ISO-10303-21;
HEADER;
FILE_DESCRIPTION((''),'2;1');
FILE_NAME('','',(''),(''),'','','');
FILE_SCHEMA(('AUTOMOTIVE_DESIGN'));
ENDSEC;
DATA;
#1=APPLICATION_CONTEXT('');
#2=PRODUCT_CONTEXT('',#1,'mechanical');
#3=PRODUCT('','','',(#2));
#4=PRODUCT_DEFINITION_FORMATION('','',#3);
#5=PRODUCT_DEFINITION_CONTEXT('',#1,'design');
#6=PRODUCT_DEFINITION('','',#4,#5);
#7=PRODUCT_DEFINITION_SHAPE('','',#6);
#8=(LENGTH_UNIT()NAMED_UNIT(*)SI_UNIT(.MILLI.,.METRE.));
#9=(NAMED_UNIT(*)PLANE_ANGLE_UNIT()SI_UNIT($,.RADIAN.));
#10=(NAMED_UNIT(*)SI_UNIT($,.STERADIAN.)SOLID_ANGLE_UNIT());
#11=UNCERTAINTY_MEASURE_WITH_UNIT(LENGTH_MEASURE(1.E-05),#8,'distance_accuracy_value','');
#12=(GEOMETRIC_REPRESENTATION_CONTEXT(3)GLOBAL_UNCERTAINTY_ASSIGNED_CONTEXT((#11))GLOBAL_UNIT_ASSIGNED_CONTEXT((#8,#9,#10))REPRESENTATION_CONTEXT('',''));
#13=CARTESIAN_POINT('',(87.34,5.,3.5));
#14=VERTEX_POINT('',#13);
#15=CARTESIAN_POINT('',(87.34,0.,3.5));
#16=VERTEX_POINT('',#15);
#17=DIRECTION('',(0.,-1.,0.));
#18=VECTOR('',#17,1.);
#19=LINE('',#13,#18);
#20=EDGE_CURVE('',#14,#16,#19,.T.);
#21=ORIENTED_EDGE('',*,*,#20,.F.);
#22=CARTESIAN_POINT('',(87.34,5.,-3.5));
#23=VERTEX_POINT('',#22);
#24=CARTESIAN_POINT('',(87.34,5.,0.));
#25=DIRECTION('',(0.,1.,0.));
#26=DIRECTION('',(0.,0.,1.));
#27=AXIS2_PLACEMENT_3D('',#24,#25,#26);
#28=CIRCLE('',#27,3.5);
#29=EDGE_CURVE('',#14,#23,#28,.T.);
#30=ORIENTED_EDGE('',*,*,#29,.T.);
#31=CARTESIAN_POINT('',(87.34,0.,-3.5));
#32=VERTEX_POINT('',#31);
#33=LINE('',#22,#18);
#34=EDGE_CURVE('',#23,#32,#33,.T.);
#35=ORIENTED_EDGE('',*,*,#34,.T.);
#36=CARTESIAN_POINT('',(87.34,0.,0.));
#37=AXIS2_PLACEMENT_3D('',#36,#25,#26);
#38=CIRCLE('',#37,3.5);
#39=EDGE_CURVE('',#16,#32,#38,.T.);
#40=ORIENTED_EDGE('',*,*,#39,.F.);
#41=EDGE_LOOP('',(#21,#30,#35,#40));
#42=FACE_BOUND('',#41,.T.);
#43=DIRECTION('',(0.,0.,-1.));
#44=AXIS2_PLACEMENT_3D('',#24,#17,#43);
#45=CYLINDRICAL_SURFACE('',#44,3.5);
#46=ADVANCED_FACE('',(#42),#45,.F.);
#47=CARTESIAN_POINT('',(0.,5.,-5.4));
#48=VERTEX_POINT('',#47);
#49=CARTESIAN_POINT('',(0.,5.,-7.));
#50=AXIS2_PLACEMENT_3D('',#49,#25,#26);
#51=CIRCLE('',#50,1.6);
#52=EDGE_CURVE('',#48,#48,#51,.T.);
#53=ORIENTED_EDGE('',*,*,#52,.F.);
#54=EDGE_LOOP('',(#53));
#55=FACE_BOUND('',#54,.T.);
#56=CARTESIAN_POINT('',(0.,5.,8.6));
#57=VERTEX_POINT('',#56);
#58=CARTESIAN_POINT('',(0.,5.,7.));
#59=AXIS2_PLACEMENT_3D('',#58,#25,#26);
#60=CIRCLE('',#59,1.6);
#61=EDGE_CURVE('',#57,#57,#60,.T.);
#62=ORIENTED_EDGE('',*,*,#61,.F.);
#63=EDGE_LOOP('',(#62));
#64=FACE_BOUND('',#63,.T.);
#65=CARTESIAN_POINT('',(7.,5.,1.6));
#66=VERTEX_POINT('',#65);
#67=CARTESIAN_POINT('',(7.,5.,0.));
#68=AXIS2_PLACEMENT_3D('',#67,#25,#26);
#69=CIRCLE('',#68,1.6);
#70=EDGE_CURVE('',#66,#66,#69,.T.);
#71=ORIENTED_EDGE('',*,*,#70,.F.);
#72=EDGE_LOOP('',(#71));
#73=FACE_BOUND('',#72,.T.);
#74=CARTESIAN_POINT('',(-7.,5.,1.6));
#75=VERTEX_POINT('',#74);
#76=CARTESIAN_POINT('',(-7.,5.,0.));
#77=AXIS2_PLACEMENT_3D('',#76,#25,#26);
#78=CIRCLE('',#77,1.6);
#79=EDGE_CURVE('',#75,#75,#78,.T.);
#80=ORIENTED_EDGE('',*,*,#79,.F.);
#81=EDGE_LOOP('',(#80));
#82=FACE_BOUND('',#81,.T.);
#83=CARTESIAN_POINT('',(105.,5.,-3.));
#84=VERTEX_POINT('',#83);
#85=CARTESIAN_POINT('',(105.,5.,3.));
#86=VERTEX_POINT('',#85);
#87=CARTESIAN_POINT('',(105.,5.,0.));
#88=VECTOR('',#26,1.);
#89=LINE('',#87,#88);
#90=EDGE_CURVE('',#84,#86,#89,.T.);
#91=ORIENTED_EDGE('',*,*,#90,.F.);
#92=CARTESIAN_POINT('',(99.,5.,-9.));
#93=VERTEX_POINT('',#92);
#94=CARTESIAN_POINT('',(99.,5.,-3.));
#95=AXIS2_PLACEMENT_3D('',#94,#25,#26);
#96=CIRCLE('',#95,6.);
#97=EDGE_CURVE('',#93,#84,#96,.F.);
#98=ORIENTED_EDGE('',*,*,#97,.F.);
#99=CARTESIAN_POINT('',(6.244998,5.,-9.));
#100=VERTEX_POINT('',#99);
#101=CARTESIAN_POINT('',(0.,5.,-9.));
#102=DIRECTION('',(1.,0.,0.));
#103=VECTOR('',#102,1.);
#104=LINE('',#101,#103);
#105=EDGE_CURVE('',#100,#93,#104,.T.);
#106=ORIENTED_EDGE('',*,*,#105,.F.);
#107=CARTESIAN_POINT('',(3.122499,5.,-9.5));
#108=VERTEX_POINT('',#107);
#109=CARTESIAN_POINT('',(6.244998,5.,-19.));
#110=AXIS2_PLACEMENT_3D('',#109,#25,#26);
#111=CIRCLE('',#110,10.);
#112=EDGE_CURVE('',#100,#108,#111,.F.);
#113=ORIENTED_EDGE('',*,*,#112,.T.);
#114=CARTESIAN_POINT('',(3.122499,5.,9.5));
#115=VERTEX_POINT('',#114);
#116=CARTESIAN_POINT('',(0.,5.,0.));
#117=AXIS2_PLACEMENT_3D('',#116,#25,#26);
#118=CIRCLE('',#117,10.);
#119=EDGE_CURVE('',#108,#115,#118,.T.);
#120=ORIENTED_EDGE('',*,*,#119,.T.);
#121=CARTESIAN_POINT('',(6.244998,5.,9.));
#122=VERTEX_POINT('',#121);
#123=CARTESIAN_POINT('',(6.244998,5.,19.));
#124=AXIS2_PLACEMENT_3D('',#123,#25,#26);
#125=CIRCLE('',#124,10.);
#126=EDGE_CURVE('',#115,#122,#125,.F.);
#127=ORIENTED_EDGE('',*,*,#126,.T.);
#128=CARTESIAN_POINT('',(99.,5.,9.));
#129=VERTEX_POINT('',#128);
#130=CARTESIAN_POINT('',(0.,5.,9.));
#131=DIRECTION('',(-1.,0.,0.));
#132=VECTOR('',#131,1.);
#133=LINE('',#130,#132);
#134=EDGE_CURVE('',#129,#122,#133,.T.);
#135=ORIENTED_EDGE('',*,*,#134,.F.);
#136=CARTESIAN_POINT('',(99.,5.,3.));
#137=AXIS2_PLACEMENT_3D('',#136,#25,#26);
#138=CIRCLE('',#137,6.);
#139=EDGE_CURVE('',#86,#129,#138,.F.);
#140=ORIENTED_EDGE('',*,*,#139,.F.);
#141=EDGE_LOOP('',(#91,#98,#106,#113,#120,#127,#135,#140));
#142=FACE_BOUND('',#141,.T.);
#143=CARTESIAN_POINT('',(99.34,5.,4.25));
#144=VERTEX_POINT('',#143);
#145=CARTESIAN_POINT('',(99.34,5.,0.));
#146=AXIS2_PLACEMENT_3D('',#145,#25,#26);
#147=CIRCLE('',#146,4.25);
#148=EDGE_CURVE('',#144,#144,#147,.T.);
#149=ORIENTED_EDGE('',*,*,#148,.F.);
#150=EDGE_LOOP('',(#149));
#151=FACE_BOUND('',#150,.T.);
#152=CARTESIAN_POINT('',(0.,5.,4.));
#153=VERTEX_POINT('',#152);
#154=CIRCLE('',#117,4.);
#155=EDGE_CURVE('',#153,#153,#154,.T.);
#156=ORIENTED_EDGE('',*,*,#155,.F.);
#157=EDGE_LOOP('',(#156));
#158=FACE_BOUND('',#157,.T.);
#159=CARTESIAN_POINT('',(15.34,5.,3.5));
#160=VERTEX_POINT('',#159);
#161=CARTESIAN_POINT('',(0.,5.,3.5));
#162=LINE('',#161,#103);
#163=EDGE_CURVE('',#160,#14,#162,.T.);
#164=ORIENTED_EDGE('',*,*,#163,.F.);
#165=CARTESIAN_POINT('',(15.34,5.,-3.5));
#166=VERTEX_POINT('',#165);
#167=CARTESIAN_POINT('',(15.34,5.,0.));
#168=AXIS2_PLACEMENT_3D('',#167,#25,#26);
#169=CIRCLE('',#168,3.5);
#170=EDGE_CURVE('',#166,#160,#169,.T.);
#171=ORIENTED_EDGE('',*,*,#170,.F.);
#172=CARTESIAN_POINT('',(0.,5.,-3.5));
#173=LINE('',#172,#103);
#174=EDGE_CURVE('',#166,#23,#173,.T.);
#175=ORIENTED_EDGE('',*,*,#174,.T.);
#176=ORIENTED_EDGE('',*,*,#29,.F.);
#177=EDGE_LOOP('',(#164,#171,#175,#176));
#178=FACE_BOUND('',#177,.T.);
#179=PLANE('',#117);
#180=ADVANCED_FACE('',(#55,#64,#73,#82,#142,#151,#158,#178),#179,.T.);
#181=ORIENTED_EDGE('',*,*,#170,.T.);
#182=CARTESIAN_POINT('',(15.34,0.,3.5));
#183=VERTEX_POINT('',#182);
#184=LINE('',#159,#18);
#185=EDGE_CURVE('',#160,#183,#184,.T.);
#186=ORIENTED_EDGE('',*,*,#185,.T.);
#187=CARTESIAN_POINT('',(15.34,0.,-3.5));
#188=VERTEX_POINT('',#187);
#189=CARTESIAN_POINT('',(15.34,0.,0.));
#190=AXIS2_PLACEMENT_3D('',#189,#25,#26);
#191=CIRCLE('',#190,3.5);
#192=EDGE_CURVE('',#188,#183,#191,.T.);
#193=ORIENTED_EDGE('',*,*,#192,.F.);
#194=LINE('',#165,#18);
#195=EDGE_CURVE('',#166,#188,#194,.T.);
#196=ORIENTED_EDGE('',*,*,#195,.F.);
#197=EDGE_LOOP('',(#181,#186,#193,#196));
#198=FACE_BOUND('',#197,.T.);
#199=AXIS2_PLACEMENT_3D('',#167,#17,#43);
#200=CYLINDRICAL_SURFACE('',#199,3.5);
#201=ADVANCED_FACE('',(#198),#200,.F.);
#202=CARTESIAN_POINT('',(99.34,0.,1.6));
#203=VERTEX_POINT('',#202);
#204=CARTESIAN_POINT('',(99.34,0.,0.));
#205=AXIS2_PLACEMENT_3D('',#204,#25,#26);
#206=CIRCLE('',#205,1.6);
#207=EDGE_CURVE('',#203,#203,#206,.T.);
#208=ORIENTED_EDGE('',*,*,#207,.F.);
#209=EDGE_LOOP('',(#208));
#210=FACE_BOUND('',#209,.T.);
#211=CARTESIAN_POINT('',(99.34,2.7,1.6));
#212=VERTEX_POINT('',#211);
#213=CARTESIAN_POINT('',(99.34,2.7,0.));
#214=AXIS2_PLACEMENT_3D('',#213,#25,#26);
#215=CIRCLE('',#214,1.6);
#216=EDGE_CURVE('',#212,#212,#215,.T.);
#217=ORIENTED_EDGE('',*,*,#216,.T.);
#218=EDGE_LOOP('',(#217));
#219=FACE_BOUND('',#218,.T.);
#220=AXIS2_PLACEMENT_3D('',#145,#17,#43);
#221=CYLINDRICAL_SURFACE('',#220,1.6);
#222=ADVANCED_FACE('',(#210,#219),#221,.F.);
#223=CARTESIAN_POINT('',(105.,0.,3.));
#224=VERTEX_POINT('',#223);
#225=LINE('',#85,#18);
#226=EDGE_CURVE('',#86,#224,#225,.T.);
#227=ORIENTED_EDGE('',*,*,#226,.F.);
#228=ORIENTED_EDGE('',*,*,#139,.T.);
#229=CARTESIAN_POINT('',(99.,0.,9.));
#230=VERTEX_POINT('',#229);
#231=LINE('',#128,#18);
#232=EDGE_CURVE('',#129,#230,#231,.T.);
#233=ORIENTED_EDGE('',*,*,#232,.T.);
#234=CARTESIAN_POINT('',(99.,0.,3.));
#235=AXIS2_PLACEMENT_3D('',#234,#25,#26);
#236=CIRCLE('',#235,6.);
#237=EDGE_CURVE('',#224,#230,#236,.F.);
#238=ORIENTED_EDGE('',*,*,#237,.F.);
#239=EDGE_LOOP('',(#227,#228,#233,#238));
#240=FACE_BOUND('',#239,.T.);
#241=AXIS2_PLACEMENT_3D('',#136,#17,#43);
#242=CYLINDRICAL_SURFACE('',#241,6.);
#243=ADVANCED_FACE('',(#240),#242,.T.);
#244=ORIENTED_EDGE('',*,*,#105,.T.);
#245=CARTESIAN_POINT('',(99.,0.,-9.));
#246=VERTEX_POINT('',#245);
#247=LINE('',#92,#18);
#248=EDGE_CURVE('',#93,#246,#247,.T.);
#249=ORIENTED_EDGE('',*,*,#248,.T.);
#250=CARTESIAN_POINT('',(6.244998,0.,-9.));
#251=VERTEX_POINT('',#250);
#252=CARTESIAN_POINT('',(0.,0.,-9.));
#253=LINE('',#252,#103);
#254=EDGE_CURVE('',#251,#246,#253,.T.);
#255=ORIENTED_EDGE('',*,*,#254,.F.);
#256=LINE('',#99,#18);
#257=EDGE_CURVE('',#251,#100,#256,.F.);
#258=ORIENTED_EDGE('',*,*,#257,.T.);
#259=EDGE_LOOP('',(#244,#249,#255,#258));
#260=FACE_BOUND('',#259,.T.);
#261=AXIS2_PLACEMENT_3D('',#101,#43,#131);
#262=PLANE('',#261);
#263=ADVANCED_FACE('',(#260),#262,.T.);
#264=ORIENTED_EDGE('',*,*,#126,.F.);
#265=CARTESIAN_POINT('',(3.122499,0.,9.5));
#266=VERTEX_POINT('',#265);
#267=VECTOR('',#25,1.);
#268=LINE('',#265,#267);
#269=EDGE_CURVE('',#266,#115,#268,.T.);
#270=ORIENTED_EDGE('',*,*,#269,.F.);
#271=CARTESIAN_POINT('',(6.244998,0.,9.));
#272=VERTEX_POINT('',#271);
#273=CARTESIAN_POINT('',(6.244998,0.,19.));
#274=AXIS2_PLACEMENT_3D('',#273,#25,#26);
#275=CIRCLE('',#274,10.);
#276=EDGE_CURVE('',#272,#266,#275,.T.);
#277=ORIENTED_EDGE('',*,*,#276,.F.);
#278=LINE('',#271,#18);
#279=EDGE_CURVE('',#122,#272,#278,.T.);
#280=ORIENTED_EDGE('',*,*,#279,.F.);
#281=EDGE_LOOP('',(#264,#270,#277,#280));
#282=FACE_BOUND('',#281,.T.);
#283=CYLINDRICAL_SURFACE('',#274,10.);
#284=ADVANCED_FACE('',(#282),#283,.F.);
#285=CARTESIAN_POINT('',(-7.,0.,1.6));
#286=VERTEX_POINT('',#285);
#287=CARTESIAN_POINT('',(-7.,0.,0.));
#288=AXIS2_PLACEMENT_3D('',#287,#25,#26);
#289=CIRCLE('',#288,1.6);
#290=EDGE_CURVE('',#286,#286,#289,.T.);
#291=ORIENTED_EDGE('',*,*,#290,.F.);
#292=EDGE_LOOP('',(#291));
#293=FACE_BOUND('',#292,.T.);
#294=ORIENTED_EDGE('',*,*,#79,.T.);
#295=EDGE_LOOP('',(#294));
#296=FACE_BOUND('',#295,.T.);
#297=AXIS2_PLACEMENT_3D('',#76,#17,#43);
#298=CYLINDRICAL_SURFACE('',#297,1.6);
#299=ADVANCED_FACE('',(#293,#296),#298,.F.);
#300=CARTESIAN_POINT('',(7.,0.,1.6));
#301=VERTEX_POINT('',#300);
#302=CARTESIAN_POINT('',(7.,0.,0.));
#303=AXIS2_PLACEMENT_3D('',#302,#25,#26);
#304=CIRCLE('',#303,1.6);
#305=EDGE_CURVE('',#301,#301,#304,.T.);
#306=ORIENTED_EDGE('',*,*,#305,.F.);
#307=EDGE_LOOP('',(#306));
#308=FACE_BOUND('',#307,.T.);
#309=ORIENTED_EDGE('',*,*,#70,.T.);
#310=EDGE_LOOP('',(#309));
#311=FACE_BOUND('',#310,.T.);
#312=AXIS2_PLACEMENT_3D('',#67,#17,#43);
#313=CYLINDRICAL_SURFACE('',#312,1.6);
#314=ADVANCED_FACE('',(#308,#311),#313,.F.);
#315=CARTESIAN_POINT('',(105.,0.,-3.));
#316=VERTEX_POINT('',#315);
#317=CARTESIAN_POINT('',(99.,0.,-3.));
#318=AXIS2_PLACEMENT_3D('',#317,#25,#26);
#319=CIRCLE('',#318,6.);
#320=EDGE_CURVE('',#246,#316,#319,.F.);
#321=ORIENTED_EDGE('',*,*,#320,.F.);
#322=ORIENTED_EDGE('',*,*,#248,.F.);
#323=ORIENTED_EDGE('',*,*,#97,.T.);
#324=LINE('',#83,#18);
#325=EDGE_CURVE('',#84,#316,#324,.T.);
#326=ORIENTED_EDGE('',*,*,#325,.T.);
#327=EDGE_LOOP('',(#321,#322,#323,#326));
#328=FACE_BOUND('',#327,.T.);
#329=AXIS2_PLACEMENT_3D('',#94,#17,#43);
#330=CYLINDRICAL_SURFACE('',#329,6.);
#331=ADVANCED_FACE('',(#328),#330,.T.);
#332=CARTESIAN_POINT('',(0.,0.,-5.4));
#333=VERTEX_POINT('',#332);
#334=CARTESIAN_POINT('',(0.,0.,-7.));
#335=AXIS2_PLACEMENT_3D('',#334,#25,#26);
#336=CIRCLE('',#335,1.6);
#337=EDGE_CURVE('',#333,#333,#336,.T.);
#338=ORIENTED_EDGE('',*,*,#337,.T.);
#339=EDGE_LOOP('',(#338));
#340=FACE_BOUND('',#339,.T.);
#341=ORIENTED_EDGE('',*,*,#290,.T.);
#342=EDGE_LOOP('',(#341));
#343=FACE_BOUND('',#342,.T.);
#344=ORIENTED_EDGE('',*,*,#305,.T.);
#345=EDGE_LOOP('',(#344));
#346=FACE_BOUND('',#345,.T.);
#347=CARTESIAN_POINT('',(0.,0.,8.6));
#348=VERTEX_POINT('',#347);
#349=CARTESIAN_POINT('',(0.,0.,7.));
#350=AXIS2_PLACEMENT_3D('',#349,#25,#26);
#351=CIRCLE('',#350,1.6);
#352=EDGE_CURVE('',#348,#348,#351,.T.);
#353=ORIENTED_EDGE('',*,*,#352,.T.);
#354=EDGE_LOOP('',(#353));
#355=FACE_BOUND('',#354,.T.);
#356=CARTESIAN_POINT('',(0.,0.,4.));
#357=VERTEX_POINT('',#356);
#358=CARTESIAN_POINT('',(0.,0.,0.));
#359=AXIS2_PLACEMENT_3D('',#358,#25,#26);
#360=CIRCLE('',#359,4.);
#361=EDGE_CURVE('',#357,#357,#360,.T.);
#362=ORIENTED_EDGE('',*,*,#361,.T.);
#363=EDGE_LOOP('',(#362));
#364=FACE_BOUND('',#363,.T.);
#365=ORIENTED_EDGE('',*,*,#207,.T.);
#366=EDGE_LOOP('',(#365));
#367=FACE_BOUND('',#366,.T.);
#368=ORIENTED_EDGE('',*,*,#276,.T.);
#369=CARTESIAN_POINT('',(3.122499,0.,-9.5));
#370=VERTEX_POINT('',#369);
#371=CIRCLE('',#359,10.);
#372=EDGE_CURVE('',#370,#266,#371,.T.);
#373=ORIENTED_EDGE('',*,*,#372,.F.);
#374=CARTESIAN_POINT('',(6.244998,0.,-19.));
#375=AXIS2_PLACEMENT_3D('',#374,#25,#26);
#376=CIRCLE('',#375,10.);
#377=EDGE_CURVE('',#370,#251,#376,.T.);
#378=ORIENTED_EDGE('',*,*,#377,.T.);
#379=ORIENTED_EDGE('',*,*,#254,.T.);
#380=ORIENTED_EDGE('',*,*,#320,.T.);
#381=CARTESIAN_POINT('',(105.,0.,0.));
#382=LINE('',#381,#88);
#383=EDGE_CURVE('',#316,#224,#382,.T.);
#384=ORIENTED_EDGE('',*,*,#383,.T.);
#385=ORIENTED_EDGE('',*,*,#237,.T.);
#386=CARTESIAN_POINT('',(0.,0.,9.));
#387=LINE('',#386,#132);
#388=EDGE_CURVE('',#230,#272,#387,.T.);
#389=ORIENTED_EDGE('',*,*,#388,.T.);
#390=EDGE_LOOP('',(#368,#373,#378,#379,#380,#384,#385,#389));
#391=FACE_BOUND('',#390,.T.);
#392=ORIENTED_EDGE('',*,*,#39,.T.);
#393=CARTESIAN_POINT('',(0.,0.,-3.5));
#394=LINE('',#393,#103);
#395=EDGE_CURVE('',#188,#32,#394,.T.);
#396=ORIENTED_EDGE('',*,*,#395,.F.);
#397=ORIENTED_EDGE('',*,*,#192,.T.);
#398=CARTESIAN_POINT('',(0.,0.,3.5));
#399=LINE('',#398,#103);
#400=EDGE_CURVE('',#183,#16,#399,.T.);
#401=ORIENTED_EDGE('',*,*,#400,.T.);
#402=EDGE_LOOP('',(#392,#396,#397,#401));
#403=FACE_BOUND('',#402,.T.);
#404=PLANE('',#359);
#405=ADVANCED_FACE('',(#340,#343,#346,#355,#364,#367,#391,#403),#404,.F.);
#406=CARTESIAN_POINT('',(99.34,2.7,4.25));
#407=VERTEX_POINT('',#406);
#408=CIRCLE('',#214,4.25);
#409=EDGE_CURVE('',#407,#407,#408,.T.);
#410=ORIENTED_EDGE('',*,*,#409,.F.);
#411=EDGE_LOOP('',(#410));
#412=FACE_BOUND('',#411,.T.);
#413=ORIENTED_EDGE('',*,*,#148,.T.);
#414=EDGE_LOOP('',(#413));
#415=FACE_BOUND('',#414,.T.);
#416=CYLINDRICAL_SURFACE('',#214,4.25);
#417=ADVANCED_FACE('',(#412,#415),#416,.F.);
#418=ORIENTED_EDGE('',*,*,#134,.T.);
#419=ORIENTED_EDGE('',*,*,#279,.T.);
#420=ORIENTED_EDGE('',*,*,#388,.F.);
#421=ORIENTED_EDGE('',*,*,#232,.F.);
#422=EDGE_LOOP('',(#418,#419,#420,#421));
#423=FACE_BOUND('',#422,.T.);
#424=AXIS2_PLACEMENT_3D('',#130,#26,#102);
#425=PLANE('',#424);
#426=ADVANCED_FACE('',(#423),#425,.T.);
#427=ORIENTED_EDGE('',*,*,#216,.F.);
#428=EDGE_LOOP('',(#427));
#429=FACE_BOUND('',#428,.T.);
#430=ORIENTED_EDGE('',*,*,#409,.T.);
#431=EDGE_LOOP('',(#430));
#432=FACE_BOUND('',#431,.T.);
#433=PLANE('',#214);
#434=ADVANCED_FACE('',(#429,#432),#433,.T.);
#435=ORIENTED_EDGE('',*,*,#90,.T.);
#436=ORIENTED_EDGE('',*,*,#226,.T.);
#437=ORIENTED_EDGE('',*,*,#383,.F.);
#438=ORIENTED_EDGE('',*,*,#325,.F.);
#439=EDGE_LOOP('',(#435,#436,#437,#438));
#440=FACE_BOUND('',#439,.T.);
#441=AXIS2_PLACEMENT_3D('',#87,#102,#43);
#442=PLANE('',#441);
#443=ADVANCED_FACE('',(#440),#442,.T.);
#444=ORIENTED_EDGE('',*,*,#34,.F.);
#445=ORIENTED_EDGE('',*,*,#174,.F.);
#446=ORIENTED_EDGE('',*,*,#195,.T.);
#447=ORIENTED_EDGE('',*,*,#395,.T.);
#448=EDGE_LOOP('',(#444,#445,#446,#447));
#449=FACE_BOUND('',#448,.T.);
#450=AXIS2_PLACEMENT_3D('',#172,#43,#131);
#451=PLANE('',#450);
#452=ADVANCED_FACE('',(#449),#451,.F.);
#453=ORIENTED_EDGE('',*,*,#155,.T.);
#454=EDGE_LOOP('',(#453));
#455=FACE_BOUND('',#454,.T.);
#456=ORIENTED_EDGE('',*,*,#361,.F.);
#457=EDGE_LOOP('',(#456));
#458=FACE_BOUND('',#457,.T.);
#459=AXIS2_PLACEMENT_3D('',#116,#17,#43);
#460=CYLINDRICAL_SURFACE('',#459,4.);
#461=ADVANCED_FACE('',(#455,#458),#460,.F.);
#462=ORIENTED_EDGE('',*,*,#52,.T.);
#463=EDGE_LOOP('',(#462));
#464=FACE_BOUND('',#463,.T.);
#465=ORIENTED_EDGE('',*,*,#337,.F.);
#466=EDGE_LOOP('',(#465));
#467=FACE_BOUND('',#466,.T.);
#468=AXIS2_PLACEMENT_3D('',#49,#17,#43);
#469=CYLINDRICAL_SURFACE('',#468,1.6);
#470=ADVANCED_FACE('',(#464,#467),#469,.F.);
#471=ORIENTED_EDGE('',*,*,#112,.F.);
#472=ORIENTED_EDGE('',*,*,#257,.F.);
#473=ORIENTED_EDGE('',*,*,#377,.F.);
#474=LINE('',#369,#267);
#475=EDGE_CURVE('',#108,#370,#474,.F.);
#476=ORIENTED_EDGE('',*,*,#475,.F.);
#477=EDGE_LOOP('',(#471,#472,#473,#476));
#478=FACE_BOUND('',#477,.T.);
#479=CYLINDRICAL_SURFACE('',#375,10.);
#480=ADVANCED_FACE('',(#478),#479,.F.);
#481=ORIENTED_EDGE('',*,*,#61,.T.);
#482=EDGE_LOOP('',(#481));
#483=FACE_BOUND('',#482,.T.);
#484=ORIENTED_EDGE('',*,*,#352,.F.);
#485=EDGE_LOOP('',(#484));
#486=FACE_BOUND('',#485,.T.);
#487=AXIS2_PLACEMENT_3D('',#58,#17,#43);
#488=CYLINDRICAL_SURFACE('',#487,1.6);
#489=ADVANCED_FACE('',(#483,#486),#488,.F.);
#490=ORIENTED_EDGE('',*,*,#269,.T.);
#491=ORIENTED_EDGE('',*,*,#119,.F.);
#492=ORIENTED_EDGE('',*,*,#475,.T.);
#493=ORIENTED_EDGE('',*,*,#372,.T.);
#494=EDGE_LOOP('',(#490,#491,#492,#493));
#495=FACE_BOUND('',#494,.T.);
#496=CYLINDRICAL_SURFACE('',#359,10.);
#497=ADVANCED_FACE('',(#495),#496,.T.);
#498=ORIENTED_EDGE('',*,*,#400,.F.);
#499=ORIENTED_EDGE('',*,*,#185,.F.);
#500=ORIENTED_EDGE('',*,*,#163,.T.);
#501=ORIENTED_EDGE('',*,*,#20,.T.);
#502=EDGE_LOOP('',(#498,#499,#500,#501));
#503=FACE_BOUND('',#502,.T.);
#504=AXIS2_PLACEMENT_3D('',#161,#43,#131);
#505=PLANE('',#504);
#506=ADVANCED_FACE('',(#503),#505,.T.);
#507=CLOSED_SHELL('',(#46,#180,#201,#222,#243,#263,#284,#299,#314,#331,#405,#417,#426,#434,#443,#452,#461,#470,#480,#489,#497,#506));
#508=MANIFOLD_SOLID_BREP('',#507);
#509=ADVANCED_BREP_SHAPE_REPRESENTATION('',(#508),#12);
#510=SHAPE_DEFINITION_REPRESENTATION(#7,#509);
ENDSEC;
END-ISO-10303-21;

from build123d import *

# Parameters (mm, degrees)
SKETCH_1_R          = 1.6
SKETCH_1_R_2        = 9
SKETCH_1_R_3        = 4
EXTRUDE_1_DEPTH     = 5
SKETCH_2_R          = 4.25
CUT_EXTRUDE_1_DEPTH = 2.3
EXTRUDE_START       = -5
SKETCH_3_R          = 10
SKETCH_3_R_2        = 9
EXTRUDE_2_DEPTH     = 5
FILLET_1_R          = 10


with BuildPart() as part:
    # 草图1 → 凸台-拉伸1 (new body)
    # profile 1 of 2: a face of its own
    with BuildSketch(Plane(origin=(0, 0, 0), x_dir=(1, 0, 0), z_dir=(0, 1, 0))):
        with BuildLine():
            Line((99, 9), (0, 9))
            ThreePointArc((0, 9), (6.363961031, 6.363961031), (9, 0))
            ThreePointArc((9, 0), (6.363961031, -6.363961031), (0, -9))
            Line((0, -9), (99, -9))
            ThreePointArc((99, -9), (103.242640687, -7.242640687), (105, -3))
            Line((105, -3), (105, 3))
            ThreePointArc((105, 3), (103.242640687, 7.242640687), (99, 9))
        make_face()
        with BuildLine():
            ThreePointArc((15.34, -3.5), (11.84, 0), (15.34, 3.5))
            Line((15.34, 3.5), (87.34, 3.5))
            ThreePointArc((87.34, 3.5), (90.84, 0), (87.34, -3.5))
            Line((87.34, -3.5), (15.34, -3.5))
        make_face(mode=Mode.SUBTRACT)
        with Locations(Location((99.34, 0, 0), (0, 0, 270))):
            Circle(SKETCH_1_R, mode=Mode.SUBTRACT)
    # profile 2 of 2: a face of its own
    with BuildSketch(Plane(origin=(0, 0, 0), x_dir=(1, 0, 0), z_dir=(0, 1, 0))):
        Circle(SKETCH_1_R_2)
        with Locations(Location((0, -7, 0), (0, 0, 270))):
            Circle(SKETCH_1_R, mode=Mode.SUBTRACT)
        with Locations(Location((7, 0, 0), (0, 0, 270))):
            Circle(SKETCH_1_R, mode=Mode.SUBTRACT)
        with Locations(Location((0, 7, 0), (0, 0, 270))):
            Circle(SKETCH_1_R, mode=Mode.SUBTRACT)
        with Locations(Location((-7, 0, 0), (0, 0, 270))):
            Circle(SKETCH_1_R, mode=Mode.SUBTRACT)
        with Locations(Location((0, 0, 0), (0, 0, 270))):
            Circle(SKETCH_1_R_3, mode=Mode.SUBTRACT)
    extrude(amount=EXTRUDE_1_DEPTH)

    # 草图2 → 切除-拉伸1 (cut)
    with BuildSketch(Plane(origin=(0, 5, 0), x_dir=(1, 0, 0), z_dir=(0, 1, 0))):
        with Locations(Location((99.34, 0, 0), (0, 0, 270))):
            Circle(SKETCH_2_R)
    extrude(amount=-CUT_EXTRUDE_1_DEPTH, mode=Mode.SUBTRACT)

    # 草图3 → 凸台-拉伸2 (add)
    with BuildSketch(Plane(origin=(0, 5, 0), x_dir=(1, 0, 0), z_dir=(0, 1, 0)).offset(EXTRUDE_START)):
        Circle(SKETCH_3_R)
        Circle(SKETCH_3_R_2, mode=Mode.SUBTRACT)
    extrude(amount=EXTRUDE_2_DEPTH)

    # 圆角1
    fillet_1_edges = [part.edges().sort_by_distance(p)[0] for p in [
        (4.358898944, 2.5, -9),
        (4.358898944, 2.5, 9),
    ]]
    fillet(fillet_1_edges, radius=FILLET_1_R)


solid = part.part
